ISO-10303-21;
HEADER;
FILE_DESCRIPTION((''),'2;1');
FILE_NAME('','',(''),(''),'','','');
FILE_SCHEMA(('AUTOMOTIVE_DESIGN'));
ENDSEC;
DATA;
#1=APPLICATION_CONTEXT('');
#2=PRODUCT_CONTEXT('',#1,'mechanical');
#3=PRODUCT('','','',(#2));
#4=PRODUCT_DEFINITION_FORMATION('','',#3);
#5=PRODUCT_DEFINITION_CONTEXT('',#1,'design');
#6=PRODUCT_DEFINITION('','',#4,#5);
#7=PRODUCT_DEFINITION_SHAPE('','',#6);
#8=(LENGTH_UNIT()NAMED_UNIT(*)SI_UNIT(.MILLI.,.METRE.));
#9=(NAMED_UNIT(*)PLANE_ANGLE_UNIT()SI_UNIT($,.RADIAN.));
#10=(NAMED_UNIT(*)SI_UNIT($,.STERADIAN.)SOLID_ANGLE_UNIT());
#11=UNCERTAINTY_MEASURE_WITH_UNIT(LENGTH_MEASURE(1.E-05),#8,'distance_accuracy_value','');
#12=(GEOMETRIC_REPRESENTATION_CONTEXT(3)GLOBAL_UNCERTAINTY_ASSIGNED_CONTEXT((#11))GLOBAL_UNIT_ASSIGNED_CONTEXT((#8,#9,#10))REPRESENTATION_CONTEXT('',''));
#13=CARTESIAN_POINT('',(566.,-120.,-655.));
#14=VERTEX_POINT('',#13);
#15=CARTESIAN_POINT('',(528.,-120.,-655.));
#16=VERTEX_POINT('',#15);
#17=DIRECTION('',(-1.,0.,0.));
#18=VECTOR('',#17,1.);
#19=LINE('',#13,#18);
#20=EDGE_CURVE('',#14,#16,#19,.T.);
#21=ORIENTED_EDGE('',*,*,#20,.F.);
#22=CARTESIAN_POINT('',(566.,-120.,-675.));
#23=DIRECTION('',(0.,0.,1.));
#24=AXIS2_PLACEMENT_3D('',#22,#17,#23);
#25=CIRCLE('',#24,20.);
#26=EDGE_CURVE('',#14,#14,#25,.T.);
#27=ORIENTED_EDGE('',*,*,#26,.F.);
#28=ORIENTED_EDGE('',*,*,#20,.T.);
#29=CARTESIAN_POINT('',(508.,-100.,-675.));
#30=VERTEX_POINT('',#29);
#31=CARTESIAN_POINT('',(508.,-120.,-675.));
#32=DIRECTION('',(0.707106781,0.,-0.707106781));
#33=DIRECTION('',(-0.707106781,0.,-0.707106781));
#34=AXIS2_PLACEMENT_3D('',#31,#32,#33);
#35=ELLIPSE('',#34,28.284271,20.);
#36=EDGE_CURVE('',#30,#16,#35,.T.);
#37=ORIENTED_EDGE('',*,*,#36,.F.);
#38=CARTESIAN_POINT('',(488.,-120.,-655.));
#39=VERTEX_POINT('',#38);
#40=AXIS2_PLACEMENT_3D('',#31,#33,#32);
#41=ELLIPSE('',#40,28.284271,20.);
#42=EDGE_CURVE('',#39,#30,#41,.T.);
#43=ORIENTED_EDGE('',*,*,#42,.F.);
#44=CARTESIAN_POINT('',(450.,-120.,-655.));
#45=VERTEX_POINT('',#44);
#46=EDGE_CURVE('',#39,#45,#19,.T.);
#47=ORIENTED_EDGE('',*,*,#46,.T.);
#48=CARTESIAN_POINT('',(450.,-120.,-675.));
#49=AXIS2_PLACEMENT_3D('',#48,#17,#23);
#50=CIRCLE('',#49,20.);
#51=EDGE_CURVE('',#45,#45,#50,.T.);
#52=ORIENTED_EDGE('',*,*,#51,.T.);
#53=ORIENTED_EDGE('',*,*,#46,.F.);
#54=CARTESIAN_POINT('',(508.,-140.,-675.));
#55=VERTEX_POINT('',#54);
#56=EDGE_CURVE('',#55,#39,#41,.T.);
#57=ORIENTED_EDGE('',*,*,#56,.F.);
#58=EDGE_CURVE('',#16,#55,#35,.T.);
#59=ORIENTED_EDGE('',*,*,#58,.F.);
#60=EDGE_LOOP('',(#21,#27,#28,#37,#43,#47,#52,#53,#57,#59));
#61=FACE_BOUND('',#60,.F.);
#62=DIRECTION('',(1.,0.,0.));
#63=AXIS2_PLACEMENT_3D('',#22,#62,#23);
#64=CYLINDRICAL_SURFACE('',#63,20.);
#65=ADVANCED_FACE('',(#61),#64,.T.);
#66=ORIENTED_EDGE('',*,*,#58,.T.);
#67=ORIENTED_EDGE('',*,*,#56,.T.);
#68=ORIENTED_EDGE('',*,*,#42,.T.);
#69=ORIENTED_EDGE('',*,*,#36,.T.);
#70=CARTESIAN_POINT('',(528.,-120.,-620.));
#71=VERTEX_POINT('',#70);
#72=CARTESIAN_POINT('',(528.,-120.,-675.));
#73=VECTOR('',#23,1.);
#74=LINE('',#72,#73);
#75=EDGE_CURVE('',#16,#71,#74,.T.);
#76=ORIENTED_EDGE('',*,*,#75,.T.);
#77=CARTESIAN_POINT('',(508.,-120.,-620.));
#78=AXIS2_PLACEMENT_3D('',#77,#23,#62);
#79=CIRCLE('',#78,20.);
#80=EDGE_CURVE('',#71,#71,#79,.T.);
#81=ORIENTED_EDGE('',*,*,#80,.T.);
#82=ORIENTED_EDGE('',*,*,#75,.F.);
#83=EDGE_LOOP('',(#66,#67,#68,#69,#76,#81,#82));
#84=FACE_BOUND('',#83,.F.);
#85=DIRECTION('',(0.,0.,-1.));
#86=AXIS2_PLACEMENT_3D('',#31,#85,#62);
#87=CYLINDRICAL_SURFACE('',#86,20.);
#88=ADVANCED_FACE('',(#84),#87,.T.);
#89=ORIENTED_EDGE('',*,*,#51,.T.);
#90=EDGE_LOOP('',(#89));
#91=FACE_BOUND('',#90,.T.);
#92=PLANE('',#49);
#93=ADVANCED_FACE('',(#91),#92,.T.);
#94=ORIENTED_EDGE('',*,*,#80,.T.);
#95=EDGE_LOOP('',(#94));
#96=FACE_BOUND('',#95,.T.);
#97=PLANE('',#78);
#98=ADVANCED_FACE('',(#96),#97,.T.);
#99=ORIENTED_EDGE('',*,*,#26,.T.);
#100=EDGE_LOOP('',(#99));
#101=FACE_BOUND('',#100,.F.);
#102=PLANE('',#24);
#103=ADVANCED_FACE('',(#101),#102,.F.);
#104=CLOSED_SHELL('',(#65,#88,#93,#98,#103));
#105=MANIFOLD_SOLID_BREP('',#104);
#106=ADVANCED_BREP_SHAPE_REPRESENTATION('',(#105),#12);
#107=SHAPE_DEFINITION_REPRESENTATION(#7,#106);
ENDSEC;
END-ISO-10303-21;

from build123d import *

# Parameters (mm, degrees)
CYLINDER006_R             = 20
CYLINDER006_DEPTH         = 116
CYLINDER005_R             = 20
CYLINDER005_DEPTH         = 55
FUSION001_PLACEMENT_ANGLE = 90


with BuildPart() as cylinder003:
    # Cylinder006 → Cylinder006 (new body)
    with BuildSketch(Plane.XY):
        Circle(CYLINDER006_R)
    extrude(amount=CYLINDER006_DEPTH)


with BuildPart() as t_stuk001:
    # Cylinder005 → Cylinder005 (new body)
    with BuildSketch(Plane(origin=(0, 0, 58), x_dir=(0, 0, -1), z_dir=(1, 0, 0))):
        Circle(CYLINDER005_R)
    extrude(amount=CYLINDER005_DEPTH)

    # Fusion001: union Cylinder003
    add(cylinder003.part)


with BuildPart() as t_stuk001_1:
    # Fusion001 placement: moved
    add(t_stuk001.part.moved(Location((566, -120, -675))).rotate(Axis((566, -120, -675), (0, -1, 0)), FUSION001_PLACEMENT_ANGLE))


solid = t_stuk001_1.part
